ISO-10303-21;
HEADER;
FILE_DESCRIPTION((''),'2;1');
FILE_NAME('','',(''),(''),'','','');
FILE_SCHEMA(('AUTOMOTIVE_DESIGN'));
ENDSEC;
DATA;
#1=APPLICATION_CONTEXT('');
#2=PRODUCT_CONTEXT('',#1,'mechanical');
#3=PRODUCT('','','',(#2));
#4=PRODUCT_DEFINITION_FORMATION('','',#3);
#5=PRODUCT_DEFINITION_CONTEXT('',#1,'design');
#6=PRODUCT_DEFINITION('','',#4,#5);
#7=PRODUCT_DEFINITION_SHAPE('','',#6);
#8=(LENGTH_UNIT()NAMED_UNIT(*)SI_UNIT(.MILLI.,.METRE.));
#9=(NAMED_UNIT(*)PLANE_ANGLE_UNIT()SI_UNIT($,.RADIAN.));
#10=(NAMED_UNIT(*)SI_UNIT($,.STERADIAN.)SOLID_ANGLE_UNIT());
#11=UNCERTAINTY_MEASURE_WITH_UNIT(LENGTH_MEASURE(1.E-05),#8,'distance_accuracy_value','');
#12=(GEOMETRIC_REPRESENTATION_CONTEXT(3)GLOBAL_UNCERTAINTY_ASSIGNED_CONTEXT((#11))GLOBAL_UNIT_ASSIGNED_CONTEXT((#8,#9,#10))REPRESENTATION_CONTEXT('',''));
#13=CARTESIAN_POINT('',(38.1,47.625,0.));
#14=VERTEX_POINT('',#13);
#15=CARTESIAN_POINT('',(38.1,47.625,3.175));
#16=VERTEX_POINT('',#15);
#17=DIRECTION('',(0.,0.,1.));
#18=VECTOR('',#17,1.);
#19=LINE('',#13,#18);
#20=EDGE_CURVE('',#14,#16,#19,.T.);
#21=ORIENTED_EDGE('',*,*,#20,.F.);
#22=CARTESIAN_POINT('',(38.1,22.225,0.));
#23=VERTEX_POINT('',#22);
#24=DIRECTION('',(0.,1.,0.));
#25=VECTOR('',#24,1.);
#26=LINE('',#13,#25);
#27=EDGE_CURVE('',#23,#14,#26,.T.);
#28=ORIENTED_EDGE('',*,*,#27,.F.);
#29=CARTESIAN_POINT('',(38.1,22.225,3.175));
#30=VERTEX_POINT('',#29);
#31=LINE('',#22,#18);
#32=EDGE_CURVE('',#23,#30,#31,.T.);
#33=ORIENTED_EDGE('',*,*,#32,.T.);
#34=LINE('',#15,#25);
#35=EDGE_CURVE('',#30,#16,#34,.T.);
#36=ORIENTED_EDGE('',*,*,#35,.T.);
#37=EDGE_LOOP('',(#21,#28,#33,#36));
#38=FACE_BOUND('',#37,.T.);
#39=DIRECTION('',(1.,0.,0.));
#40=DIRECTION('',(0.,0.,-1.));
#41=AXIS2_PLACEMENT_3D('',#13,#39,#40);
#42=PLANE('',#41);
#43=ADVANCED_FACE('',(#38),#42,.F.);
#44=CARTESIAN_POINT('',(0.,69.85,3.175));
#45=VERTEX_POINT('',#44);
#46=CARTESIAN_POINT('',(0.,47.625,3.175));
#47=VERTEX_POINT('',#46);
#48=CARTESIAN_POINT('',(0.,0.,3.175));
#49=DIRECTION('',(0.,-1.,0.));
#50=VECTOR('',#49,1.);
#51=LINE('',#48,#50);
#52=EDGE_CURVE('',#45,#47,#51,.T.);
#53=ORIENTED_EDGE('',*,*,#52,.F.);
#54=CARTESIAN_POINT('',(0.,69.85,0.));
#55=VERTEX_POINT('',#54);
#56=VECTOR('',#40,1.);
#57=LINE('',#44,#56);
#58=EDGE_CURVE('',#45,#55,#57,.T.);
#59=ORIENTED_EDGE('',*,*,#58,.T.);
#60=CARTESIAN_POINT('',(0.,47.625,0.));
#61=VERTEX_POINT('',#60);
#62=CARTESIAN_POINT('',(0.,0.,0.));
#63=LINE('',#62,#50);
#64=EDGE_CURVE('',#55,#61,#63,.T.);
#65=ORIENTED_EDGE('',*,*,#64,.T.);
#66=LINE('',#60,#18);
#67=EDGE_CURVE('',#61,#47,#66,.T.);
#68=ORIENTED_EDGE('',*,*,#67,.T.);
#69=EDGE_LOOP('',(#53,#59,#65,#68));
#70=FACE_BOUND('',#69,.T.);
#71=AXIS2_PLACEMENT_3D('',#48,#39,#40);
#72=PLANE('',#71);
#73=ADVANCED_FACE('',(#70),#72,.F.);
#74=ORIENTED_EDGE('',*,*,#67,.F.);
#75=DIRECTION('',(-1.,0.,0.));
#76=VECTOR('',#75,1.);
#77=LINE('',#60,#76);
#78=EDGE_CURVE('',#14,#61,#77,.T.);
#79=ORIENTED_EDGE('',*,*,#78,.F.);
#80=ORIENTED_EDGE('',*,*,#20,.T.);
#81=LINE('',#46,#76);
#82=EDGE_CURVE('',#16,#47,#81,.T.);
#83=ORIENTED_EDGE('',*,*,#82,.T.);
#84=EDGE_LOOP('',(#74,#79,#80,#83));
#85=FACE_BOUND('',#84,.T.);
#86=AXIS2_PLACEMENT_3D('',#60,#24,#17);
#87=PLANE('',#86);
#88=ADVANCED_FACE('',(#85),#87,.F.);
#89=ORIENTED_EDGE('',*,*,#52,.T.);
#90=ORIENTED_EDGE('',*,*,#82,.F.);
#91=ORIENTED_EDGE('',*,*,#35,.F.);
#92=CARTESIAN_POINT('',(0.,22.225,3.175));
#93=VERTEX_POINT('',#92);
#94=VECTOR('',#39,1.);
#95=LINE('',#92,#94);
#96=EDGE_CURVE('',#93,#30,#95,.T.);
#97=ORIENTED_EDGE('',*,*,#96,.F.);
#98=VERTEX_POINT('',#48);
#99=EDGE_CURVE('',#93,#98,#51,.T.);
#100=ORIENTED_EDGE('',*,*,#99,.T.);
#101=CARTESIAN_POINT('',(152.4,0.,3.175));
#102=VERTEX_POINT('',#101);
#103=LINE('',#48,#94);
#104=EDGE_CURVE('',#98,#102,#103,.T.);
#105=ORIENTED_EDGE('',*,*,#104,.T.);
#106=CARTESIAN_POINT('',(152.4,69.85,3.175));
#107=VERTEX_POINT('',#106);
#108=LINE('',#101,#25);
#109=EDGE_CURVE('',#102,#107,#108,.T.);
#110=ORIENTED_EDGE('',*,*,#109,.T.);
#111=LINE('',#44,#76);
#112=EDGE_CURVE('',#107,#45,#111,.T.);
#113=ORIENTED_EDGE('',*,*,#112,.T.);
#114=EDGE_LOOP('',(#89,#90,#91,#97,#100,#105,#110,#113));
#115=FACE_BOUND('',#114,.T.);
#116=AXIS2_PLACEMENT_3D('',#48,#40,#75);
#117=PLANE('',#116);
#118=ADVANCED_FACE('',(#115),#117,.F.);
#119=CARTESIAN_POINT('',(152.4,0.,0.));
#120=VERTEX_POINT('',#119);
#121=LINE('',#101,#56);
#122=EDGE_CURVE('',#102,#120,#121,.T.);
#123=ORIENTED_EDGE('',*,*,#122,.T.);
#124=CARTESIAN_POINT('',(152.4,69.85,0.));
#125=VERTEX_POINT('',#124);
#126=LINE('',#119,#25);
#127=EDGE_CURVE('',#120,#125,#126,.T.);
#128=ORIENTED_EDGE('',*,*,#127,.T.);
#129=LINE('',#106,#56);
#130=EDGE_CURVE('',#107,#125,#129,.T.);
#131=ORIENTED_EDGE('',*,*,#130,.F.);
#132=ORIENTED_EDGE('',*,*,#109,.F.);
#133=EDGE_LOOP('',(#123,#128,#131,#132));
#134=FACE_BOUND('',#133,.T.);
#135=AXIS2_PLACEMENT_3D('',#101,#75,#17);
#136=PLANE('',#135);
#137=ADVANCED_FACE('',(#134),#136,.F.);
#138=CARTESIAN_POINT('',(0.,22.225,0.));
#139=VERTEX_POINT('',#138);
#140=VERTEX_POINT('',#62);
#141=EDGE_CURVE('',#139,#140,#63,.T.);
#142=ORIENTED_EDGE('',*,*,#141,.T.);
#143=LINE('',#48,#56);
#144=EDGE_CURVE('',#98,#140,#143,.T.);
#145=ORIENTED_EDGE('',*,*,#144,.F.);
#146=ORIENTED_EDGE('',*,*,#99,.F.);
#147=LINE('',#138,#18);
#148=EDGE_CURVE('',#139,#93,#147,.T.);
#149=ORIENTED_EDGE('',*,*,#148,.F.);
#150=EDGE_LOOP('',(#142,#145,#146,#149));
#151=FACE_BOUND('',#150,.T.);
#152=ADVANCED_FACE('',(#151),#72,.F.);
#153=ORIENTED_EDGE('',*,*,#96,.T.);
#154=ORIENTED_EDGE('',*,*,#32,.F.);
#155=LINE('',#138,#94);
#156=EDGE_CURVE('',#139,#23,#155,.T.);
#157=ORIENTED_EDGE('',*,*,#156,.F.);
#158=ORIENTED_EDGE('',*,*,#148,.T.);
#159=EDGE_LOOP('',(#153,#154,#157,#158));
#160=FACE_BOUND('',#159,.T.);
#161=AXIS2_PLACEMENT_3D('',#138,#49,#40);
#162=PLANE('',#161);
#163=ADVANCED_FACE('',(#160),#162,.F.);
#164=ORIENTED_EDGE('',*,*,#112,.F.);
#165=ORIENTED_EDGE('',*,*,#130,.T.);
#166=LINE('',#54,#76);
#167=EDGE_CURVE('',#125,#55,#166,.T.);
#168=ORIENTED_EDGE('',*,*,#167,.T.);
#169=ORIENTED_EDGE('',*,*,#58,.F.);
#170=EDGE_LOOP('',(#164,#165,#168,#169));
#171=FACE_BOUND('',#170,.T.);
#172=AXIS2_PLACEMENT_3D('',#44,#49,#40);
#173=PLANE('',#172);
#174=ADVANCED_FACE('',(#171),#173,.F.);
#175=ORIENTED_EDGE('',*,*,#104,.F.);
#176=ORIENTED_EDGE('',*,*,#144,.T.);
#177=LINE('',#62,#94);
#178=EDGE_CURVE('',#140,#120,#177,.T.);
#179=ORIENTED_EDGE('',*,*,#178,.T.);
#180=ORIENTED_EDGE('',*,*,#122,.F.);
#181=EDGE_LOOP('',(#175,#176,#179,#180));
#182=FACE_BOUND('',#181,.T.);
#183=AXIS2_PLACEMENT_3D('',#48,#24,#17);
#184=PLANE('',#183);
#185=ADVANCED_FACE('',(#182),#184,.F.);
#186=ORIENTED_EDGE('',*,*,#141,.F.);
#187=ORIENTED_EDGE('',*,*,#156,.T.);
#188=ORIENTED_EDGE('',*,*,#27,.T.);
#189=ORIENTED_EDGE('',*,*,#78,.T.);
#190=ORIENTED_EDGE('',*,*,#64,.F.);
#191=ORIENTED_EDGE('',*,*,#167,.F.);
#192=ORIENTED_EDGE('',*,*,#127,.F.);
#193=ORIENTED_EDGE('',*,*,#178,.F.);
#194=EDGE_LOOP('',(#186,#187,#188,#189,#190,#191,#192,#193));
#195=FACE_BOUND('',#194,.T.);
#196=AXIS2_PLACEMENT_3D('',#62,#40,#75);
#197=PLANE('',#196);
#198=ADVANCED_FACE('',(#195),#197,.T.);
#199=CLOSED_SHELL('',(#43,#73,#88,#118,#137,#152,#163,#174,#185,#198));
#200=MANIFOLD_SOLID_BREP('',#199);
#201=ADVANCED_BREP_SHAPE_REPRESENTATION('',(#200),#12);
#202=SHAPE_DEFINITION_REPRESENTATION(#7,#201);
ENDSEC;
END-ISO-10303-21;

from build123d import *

# Parameters (mm, degrees)
SKETCH1_W           = 152.4
SKETCH1_H           = 69.85
BOSS_EXTRUDE1_DEPTH = 3.175
SKETCH2_W           = 38.1
SKETCH2_H           = 25.4
CUT_EXTRUDE1_DEPTH  = 168.674873267


with BuildPart() as part:
    # Sketch1 → Boss-Extrude1 (new body)
    with BuildSketch(Plane.XY):
        with Locations((76.2, 34.925)):
            Rectangle(SKETCH1_W, SKETCH1_H)
    extrude(amount=BOSS_EXTRUDE1_DEPTH)

    # Sketch2 → Cut-Extrude1 (cut, through all)
    with BuildSketch(Plane.XY.offset(3.175)):
        with Locations((19.05, 34.925)):
            Rectangle(SKETCH2_W, SKETCH2_H)
    extrude(amount=-CUT_EXTRUDE1_DEPTH, mode=Mode.SUBTRACT)


solid = part.part
